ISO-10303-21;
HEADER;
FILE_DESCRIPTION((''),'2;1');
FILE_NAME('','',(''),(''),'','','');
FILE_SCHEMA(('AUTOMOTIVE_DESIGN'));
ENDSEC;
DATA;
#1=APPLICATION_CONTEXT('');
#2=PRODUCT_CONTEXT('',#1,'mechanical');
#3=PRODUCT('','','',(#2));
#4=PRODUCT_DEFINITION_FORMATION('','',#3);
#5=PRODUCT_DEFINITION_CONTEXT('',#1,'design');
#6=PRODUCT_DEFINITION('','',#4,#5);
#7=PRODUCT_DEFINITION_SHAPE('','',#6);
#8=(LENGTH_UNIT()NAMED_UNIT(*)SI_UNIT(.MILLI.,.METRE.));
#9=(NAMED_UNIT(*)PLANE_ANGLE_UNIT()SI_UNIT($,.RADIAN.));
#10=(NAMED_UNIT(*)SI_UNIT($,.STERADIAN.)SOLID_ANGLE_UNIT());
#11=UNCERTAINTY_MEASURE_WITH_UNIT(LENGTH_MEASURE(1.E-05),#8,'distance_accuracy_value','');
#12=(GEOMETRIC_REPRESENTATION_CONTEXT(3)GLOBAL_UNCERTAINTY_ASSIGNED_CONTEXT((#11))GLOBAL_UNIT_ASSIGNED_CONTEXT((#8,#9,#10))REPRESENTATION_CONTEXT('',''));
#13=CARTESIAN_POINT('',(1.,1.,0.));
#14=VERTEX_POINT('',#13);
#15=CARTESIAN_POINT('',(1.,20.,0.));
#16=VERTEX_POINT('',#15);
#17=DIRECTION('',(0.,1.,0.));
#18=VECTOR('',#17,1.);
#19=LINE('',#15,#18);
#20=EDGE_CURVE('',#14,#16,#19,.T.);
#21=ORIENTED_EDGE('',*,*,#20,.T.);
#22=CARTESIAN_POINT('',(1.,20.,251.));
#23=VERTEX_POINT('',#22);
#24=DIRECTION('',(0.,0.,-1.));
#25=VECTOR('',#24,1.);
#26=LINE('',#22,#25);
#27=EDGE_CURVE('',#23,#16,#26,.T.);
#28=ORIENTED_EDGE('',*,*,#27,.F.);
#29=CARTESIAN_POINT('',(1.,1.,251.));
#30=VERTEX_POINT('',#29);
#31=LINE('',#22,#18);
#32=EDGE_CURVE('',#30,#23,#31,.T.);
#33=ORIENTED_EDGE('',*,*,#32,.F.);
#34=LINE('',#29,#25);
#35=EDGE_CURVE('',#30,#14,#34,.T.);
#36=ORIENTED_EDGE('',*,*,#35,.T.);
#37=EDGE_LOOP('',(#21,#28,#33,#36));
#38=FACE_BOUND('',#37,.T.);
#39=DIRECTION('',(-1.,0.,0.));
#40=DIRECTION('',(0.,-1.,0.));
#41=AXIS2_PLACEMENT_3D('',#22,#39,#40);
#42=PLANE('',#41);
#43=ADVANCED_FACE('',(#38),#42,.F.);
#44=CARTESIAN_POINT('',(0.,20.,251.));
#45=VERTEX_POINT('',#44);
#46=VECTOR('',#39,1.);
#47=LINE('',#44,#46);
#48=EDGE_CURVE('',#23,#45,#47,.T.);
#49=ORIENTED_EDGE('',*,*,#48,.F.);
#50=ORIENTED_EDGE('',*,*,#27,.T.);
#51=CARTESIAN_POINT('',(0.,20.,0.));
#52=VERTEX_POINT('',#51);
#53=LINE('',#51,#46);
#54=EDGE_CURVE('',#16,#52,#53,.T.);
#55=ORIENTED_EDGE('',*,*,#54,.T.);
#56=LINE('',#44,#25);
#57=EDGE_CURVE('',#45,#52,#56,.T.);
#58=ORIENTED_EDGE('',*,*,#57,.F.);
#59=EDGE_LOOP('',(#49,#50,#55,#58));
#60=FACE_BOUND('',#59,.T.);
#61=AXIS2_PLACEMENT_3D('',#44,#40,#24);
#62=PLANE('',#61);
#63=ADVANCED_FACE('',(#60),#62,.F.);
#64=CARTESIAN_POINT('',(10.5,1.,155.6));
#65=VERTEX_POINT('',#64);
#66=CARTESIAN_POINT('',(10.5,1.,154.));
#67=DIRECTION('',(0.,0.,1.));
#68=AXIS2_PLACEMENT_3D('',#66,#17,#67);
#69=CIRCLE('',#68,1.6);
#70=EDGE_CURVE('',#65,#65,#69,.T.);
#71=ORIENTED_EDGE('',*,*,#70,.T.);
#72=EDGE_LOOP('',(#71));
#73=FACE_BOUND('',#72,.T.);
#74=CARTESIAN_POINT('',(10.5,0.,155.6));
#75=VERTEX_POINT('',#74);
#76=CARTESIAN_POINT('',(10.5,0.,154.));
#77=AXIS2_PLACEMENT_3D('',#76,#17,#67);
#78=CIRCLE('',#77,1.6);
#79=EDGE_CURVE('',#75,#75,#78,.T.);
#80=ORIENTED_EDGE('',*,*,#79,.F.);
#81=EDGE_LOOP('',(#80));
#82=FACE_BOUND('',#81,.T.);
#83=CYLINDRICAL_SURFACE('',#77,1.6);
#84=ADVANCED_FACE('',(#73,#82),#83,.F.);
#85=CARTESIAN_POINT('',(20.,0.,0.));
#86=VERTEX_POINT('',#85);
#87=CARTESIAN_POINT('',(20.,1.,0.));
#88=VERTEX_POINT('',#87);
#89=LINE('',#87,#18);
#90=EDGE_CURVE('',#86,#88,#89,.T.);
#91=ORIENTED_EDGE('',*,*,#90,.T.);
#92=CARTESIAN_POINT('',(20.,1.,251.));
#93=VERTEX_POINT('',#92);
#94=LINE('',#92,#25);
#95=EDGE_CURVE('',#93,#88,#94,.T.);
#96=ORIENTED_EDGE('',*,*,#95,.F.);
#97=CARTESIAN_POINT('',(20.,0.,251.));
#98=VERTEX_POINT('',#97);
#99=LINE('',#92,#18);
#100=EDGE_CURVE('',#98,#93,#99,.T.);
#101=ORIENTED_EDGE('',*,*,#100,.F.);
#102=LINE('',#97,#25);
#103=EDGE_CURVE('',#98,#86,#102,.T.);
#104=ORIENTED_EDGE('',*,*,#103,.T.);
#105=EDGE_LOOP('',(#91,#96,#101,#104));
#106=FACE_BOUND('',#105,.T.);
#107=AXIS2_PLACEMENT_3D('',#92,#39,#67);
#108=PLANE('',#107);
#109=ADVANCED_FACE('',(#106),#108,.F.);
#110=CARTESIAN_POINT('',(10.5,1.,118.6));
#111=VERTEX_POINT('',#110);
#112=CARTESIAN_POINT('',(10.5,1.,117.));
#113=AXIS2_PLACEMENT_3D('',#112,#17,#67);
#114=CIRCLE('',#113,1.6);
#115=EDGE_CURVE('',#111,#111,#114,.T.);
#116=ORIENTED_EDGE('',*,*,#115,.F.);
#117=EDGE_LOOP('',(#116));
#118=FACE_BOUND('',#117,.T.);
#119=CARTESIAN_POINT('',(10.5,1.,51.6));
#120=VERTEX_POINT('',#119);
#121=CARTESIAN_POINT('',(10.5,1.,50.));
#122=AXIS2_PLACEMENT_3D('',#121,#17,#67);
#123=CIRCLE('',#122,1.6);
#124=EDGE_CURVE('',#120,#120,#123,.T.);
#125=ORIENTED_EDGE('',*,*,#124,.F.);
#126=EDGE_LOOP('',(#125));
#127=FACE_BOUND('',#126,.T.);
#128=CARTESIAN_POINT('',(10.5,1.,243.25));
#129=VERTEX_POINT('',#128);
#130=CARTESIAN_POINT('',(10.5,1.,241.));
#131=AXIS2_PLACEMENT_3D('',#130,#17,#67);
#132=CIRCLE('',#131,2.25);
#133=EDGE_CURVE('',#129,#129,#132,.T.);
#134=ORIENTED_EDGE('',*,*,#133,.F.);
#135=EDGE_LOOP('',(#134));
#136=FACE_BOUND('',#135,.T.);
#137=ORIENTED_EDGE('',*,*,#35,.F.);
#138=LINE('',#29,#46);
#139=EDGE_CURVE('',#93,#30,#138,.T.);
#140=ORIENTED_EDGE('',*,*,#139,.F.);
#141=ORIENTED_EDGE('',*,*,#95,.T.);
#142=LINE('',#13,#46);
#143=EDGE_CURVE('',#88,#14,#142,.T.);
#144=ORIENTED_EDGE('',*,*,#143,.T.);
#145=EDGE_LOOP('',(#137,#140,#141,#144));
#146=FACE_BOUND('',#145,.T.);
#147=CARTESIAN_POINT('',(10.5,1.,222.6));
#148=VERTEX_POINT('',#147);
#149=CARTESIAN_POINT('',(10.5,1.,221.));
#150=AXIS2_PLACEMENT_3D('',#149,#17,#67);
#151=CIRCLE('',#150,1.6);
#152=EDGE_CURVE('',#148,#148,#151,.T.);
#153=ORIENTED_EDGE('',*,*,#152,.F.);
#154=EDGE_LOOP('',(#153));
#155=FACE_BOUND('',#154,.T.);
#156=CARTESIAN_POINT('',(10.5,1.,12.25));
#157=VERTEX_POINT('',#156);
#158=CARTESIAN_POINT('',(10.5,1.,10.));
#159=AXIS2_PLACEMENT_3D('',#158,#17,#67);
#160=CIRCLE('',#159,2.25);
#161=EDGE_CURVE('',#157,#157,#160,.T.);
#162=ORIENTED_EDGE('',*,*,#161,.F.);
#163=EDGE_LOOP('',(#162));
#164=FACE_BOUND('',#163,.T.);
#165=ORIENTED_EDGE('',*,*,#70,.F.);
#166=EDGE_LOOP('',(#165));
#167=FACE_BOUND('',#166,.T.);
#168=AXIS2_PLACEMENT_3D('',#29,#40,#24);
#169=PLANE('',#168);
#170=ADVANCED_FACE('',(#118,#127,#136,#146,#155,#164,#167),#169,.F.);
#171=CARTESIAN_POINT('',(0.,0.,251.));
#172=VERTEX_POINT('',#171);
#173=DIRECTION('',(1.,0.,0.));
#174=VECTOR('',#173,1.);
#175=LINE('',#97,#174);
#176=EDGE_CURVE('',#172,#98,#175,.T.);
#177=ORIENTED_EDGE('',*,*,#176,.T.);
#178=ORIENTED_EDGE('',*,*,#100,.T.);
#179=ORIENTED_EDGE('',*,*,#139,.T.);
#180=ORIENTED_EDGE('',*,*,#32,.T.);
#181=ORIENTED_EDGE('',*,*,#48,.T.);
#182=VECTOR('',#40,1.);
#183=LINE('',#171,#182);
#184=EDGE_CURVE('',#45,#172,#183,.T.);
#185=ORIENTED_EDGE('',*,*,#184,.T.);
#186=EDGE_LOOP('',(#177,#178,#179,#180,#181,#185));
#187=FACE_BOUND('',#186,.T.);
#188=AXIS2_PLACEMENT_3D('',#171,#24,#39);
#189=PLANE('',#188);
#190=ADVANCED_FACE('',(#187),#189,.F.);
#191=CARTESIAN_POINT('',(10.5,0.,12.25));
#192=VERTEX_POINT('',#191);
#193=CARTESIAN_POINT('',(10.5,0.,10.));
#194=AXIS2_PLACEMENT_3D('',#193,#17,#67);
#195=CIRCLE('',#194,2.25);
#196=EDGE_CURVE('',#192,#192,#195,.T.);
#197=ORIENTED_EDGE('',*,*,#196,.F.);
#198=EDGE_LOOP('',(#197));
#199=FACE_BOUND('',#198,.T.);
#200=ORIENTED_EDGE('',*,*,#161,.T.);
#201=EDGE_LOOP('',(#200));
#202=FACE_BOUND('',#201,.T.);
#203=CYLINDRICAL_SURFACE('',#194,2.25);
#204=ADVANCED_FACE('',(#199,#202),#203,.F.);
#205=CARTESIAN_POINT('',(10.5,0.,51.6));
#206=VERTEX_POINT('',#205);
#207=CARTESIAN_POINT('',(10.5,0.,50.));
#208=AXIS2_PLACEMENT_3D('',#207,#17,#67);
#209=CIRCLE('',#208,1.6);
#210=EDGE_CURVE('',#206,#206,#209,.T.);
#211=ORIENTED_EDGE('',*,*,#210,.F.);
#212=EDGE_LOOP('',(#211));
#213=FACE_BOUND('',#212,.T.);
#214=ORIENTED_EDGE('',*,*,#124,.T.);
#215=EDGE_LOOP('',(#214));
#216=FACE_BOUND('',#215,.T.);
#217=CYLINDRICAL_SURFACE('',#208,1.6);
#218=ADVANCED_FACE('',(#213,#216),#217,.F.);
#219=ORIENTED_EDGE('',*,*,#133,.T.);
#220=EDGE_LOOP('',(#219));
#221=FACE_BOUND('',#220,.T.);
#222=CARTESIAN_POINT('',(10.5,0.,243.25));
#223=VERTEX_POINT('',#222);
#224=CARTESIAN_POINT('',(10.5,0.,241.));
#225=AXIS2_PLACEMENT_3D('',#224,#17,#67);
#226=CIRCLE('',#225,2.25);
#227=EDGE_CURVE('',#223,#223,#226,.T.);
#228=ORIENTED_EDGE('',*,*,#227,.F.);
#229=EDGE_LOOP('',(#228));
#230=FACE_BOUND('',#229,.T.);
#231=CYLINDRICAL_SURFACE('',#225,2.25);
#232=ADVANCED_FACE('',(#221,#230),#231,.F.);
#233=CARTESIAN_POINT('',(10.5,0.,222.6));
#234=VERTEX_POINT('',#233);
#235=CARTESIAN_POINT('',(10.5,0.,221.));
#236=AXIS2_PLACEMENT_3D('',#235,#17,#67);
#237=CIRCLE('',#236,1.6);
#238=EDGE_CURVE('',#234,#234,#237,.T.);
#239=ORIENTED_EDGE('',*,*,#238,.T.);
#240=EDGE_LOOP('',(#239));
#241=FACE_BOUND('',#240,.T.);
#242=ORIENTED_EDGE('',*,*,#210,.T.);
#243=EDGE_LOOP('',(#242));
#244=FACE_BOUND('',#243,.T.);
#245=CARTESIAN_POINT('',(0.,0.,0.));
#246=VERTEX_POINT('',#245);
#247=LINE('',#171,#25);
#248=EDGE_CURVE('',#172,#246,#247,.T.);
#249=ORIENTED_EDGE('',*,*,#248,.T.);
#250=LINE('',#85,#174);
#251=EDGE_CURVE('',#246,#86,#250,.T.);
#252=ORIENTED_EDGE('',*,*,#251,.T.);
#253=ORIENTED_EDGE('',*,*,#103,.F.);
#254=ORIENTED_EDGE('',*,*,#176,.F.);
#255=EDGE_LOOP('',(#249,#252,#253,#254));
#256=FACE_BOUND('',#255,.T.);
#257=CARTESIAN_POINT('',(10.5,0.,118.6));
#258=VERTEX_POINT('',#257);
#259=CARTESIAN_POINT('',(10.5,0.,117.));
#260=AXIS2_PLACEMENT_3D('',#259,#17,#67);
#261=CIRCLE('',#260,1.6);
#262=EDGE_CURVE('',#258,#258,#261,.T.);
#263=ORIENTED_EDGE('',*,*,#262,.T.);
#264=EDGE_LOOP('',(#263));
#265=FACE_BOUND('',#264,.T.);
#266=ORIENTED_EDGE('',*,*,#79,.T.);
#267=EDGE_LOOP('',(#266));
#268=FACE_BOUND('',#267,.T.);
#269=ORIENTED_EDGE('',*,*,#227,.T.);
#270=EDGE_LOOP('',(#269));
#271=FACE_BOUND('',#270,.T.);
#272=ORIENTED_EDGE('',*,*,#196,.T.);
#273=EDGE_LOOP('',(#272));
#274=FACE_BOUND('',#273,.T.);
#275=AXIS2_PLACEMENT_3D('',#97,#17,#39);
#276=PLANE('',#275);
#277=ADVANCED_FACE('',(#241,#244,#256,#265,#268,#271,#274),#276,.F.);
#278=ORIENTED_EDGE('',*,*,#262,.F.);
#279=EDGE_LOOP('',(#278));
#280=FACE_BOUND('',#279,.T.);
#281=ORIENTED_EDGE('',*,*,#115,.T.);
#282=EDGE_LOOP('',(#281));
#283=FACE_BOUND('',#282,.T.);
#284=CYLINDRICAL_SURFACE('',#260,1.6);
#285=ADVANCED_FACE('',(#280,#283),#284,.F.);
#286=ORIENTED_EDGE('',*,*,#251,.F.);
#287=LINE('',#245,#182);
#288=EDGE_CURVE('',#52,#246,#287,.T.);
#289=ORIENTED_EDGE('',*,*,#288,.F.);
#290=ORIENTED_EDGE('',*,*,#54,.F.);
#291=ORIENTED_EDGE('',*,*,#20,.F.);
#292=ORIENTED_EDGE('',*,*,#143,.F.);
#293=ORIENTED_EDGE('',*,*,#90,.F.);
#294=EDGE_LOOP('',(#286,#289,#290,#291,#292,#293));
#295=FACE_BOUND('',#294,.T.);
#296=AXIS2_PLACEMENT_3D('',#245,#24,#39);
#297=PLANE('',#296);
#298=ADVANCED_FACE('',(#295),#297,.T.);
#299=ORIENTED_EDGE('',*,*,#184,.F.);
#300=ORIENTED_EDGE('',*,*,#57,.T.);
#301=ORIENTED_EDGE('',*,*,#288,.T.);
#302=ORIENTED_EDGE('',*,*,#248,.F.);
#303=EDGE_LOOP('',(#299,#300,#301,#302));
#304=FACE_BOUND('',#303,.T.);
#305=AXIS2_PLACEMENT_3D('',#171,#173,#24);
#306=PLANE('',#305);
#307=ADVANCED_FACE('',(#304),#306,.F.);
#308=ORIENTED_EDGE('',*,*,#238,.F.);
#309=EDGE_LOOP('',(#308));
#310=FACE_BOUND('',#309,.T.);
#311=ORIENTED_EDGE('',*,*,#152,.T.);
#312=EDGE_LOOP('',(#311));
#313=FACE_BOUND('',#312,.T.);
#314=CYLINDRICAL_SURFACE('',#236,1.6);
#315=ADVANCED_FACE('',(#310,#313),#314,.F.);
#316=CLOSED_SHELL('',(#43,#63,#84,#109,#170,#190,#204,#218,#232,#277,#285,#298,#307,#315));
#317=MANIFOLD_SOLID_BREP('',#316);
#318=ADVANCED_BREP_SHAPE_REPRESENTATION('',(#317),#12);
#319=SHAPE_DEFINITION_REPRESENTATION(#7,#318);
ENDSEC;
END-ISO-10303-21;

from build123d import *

# Parameters (mm, degrees)
EXTRUDE_1_DEPTH     = 251
SKETCH_2_R          = 1.6
CUT_EXTRUDE_1_DEPTH = 2
SKETCH_3_R          = 2.25
CUT_EXTRUDE_2_DEPTH = 2


with BuildPart() as part:
    # Эскиз1 → Бобышка-Вытянуть1 (new body)
    with BuildSketch(Plane.XY):
        Polygon((0, 0), (0, 20), (1, 20), (1, 1), (20, 1), (20, 0), align=None)
    extrude(amount=EXTRUDE_1_DEPTH)

    # Эскиз2 → Вырез-Вытянуть1 (cut, through all)
    with BuildSketch(Plane(origin=(0, 1, 0), x_dir=(1, 0, 0), z_dir=(0, 1, 0))):
        with Locations((10.5, -50)):
            Circle(SKETCH_2_R)
        with Locations((10.5, -117)):
            Circle(SKETCH_2_R)
        with Locations((10.5, -221)):
            Circle(SKETCH_2_R)
        with Locations((10.5, -154)):
            Circle(SKETCH_2_R)
    extrude(amount=-CUT_EXTRUDE_1_DEPTH, mode=Mode.SUBTRACT)

    # Эскиз3 → Вырез-Вытянуть2 (cut, through all)
    with BuildSketch(Plane(origin=(0, 1, 0), x_dir=(1, 0, 0), z_dir=(0, 1, 0))):
        with Locations((10.5, -241)):
            Circle(SKETCH_3_R)
        with Locations((10.5, -10)):
            Circle(SKETCH_3_R)
    extrude(amount=-CUT_EXTRUDE_2_DEPTH, mode=Mode.SUBTRACT)


solid = part.part
